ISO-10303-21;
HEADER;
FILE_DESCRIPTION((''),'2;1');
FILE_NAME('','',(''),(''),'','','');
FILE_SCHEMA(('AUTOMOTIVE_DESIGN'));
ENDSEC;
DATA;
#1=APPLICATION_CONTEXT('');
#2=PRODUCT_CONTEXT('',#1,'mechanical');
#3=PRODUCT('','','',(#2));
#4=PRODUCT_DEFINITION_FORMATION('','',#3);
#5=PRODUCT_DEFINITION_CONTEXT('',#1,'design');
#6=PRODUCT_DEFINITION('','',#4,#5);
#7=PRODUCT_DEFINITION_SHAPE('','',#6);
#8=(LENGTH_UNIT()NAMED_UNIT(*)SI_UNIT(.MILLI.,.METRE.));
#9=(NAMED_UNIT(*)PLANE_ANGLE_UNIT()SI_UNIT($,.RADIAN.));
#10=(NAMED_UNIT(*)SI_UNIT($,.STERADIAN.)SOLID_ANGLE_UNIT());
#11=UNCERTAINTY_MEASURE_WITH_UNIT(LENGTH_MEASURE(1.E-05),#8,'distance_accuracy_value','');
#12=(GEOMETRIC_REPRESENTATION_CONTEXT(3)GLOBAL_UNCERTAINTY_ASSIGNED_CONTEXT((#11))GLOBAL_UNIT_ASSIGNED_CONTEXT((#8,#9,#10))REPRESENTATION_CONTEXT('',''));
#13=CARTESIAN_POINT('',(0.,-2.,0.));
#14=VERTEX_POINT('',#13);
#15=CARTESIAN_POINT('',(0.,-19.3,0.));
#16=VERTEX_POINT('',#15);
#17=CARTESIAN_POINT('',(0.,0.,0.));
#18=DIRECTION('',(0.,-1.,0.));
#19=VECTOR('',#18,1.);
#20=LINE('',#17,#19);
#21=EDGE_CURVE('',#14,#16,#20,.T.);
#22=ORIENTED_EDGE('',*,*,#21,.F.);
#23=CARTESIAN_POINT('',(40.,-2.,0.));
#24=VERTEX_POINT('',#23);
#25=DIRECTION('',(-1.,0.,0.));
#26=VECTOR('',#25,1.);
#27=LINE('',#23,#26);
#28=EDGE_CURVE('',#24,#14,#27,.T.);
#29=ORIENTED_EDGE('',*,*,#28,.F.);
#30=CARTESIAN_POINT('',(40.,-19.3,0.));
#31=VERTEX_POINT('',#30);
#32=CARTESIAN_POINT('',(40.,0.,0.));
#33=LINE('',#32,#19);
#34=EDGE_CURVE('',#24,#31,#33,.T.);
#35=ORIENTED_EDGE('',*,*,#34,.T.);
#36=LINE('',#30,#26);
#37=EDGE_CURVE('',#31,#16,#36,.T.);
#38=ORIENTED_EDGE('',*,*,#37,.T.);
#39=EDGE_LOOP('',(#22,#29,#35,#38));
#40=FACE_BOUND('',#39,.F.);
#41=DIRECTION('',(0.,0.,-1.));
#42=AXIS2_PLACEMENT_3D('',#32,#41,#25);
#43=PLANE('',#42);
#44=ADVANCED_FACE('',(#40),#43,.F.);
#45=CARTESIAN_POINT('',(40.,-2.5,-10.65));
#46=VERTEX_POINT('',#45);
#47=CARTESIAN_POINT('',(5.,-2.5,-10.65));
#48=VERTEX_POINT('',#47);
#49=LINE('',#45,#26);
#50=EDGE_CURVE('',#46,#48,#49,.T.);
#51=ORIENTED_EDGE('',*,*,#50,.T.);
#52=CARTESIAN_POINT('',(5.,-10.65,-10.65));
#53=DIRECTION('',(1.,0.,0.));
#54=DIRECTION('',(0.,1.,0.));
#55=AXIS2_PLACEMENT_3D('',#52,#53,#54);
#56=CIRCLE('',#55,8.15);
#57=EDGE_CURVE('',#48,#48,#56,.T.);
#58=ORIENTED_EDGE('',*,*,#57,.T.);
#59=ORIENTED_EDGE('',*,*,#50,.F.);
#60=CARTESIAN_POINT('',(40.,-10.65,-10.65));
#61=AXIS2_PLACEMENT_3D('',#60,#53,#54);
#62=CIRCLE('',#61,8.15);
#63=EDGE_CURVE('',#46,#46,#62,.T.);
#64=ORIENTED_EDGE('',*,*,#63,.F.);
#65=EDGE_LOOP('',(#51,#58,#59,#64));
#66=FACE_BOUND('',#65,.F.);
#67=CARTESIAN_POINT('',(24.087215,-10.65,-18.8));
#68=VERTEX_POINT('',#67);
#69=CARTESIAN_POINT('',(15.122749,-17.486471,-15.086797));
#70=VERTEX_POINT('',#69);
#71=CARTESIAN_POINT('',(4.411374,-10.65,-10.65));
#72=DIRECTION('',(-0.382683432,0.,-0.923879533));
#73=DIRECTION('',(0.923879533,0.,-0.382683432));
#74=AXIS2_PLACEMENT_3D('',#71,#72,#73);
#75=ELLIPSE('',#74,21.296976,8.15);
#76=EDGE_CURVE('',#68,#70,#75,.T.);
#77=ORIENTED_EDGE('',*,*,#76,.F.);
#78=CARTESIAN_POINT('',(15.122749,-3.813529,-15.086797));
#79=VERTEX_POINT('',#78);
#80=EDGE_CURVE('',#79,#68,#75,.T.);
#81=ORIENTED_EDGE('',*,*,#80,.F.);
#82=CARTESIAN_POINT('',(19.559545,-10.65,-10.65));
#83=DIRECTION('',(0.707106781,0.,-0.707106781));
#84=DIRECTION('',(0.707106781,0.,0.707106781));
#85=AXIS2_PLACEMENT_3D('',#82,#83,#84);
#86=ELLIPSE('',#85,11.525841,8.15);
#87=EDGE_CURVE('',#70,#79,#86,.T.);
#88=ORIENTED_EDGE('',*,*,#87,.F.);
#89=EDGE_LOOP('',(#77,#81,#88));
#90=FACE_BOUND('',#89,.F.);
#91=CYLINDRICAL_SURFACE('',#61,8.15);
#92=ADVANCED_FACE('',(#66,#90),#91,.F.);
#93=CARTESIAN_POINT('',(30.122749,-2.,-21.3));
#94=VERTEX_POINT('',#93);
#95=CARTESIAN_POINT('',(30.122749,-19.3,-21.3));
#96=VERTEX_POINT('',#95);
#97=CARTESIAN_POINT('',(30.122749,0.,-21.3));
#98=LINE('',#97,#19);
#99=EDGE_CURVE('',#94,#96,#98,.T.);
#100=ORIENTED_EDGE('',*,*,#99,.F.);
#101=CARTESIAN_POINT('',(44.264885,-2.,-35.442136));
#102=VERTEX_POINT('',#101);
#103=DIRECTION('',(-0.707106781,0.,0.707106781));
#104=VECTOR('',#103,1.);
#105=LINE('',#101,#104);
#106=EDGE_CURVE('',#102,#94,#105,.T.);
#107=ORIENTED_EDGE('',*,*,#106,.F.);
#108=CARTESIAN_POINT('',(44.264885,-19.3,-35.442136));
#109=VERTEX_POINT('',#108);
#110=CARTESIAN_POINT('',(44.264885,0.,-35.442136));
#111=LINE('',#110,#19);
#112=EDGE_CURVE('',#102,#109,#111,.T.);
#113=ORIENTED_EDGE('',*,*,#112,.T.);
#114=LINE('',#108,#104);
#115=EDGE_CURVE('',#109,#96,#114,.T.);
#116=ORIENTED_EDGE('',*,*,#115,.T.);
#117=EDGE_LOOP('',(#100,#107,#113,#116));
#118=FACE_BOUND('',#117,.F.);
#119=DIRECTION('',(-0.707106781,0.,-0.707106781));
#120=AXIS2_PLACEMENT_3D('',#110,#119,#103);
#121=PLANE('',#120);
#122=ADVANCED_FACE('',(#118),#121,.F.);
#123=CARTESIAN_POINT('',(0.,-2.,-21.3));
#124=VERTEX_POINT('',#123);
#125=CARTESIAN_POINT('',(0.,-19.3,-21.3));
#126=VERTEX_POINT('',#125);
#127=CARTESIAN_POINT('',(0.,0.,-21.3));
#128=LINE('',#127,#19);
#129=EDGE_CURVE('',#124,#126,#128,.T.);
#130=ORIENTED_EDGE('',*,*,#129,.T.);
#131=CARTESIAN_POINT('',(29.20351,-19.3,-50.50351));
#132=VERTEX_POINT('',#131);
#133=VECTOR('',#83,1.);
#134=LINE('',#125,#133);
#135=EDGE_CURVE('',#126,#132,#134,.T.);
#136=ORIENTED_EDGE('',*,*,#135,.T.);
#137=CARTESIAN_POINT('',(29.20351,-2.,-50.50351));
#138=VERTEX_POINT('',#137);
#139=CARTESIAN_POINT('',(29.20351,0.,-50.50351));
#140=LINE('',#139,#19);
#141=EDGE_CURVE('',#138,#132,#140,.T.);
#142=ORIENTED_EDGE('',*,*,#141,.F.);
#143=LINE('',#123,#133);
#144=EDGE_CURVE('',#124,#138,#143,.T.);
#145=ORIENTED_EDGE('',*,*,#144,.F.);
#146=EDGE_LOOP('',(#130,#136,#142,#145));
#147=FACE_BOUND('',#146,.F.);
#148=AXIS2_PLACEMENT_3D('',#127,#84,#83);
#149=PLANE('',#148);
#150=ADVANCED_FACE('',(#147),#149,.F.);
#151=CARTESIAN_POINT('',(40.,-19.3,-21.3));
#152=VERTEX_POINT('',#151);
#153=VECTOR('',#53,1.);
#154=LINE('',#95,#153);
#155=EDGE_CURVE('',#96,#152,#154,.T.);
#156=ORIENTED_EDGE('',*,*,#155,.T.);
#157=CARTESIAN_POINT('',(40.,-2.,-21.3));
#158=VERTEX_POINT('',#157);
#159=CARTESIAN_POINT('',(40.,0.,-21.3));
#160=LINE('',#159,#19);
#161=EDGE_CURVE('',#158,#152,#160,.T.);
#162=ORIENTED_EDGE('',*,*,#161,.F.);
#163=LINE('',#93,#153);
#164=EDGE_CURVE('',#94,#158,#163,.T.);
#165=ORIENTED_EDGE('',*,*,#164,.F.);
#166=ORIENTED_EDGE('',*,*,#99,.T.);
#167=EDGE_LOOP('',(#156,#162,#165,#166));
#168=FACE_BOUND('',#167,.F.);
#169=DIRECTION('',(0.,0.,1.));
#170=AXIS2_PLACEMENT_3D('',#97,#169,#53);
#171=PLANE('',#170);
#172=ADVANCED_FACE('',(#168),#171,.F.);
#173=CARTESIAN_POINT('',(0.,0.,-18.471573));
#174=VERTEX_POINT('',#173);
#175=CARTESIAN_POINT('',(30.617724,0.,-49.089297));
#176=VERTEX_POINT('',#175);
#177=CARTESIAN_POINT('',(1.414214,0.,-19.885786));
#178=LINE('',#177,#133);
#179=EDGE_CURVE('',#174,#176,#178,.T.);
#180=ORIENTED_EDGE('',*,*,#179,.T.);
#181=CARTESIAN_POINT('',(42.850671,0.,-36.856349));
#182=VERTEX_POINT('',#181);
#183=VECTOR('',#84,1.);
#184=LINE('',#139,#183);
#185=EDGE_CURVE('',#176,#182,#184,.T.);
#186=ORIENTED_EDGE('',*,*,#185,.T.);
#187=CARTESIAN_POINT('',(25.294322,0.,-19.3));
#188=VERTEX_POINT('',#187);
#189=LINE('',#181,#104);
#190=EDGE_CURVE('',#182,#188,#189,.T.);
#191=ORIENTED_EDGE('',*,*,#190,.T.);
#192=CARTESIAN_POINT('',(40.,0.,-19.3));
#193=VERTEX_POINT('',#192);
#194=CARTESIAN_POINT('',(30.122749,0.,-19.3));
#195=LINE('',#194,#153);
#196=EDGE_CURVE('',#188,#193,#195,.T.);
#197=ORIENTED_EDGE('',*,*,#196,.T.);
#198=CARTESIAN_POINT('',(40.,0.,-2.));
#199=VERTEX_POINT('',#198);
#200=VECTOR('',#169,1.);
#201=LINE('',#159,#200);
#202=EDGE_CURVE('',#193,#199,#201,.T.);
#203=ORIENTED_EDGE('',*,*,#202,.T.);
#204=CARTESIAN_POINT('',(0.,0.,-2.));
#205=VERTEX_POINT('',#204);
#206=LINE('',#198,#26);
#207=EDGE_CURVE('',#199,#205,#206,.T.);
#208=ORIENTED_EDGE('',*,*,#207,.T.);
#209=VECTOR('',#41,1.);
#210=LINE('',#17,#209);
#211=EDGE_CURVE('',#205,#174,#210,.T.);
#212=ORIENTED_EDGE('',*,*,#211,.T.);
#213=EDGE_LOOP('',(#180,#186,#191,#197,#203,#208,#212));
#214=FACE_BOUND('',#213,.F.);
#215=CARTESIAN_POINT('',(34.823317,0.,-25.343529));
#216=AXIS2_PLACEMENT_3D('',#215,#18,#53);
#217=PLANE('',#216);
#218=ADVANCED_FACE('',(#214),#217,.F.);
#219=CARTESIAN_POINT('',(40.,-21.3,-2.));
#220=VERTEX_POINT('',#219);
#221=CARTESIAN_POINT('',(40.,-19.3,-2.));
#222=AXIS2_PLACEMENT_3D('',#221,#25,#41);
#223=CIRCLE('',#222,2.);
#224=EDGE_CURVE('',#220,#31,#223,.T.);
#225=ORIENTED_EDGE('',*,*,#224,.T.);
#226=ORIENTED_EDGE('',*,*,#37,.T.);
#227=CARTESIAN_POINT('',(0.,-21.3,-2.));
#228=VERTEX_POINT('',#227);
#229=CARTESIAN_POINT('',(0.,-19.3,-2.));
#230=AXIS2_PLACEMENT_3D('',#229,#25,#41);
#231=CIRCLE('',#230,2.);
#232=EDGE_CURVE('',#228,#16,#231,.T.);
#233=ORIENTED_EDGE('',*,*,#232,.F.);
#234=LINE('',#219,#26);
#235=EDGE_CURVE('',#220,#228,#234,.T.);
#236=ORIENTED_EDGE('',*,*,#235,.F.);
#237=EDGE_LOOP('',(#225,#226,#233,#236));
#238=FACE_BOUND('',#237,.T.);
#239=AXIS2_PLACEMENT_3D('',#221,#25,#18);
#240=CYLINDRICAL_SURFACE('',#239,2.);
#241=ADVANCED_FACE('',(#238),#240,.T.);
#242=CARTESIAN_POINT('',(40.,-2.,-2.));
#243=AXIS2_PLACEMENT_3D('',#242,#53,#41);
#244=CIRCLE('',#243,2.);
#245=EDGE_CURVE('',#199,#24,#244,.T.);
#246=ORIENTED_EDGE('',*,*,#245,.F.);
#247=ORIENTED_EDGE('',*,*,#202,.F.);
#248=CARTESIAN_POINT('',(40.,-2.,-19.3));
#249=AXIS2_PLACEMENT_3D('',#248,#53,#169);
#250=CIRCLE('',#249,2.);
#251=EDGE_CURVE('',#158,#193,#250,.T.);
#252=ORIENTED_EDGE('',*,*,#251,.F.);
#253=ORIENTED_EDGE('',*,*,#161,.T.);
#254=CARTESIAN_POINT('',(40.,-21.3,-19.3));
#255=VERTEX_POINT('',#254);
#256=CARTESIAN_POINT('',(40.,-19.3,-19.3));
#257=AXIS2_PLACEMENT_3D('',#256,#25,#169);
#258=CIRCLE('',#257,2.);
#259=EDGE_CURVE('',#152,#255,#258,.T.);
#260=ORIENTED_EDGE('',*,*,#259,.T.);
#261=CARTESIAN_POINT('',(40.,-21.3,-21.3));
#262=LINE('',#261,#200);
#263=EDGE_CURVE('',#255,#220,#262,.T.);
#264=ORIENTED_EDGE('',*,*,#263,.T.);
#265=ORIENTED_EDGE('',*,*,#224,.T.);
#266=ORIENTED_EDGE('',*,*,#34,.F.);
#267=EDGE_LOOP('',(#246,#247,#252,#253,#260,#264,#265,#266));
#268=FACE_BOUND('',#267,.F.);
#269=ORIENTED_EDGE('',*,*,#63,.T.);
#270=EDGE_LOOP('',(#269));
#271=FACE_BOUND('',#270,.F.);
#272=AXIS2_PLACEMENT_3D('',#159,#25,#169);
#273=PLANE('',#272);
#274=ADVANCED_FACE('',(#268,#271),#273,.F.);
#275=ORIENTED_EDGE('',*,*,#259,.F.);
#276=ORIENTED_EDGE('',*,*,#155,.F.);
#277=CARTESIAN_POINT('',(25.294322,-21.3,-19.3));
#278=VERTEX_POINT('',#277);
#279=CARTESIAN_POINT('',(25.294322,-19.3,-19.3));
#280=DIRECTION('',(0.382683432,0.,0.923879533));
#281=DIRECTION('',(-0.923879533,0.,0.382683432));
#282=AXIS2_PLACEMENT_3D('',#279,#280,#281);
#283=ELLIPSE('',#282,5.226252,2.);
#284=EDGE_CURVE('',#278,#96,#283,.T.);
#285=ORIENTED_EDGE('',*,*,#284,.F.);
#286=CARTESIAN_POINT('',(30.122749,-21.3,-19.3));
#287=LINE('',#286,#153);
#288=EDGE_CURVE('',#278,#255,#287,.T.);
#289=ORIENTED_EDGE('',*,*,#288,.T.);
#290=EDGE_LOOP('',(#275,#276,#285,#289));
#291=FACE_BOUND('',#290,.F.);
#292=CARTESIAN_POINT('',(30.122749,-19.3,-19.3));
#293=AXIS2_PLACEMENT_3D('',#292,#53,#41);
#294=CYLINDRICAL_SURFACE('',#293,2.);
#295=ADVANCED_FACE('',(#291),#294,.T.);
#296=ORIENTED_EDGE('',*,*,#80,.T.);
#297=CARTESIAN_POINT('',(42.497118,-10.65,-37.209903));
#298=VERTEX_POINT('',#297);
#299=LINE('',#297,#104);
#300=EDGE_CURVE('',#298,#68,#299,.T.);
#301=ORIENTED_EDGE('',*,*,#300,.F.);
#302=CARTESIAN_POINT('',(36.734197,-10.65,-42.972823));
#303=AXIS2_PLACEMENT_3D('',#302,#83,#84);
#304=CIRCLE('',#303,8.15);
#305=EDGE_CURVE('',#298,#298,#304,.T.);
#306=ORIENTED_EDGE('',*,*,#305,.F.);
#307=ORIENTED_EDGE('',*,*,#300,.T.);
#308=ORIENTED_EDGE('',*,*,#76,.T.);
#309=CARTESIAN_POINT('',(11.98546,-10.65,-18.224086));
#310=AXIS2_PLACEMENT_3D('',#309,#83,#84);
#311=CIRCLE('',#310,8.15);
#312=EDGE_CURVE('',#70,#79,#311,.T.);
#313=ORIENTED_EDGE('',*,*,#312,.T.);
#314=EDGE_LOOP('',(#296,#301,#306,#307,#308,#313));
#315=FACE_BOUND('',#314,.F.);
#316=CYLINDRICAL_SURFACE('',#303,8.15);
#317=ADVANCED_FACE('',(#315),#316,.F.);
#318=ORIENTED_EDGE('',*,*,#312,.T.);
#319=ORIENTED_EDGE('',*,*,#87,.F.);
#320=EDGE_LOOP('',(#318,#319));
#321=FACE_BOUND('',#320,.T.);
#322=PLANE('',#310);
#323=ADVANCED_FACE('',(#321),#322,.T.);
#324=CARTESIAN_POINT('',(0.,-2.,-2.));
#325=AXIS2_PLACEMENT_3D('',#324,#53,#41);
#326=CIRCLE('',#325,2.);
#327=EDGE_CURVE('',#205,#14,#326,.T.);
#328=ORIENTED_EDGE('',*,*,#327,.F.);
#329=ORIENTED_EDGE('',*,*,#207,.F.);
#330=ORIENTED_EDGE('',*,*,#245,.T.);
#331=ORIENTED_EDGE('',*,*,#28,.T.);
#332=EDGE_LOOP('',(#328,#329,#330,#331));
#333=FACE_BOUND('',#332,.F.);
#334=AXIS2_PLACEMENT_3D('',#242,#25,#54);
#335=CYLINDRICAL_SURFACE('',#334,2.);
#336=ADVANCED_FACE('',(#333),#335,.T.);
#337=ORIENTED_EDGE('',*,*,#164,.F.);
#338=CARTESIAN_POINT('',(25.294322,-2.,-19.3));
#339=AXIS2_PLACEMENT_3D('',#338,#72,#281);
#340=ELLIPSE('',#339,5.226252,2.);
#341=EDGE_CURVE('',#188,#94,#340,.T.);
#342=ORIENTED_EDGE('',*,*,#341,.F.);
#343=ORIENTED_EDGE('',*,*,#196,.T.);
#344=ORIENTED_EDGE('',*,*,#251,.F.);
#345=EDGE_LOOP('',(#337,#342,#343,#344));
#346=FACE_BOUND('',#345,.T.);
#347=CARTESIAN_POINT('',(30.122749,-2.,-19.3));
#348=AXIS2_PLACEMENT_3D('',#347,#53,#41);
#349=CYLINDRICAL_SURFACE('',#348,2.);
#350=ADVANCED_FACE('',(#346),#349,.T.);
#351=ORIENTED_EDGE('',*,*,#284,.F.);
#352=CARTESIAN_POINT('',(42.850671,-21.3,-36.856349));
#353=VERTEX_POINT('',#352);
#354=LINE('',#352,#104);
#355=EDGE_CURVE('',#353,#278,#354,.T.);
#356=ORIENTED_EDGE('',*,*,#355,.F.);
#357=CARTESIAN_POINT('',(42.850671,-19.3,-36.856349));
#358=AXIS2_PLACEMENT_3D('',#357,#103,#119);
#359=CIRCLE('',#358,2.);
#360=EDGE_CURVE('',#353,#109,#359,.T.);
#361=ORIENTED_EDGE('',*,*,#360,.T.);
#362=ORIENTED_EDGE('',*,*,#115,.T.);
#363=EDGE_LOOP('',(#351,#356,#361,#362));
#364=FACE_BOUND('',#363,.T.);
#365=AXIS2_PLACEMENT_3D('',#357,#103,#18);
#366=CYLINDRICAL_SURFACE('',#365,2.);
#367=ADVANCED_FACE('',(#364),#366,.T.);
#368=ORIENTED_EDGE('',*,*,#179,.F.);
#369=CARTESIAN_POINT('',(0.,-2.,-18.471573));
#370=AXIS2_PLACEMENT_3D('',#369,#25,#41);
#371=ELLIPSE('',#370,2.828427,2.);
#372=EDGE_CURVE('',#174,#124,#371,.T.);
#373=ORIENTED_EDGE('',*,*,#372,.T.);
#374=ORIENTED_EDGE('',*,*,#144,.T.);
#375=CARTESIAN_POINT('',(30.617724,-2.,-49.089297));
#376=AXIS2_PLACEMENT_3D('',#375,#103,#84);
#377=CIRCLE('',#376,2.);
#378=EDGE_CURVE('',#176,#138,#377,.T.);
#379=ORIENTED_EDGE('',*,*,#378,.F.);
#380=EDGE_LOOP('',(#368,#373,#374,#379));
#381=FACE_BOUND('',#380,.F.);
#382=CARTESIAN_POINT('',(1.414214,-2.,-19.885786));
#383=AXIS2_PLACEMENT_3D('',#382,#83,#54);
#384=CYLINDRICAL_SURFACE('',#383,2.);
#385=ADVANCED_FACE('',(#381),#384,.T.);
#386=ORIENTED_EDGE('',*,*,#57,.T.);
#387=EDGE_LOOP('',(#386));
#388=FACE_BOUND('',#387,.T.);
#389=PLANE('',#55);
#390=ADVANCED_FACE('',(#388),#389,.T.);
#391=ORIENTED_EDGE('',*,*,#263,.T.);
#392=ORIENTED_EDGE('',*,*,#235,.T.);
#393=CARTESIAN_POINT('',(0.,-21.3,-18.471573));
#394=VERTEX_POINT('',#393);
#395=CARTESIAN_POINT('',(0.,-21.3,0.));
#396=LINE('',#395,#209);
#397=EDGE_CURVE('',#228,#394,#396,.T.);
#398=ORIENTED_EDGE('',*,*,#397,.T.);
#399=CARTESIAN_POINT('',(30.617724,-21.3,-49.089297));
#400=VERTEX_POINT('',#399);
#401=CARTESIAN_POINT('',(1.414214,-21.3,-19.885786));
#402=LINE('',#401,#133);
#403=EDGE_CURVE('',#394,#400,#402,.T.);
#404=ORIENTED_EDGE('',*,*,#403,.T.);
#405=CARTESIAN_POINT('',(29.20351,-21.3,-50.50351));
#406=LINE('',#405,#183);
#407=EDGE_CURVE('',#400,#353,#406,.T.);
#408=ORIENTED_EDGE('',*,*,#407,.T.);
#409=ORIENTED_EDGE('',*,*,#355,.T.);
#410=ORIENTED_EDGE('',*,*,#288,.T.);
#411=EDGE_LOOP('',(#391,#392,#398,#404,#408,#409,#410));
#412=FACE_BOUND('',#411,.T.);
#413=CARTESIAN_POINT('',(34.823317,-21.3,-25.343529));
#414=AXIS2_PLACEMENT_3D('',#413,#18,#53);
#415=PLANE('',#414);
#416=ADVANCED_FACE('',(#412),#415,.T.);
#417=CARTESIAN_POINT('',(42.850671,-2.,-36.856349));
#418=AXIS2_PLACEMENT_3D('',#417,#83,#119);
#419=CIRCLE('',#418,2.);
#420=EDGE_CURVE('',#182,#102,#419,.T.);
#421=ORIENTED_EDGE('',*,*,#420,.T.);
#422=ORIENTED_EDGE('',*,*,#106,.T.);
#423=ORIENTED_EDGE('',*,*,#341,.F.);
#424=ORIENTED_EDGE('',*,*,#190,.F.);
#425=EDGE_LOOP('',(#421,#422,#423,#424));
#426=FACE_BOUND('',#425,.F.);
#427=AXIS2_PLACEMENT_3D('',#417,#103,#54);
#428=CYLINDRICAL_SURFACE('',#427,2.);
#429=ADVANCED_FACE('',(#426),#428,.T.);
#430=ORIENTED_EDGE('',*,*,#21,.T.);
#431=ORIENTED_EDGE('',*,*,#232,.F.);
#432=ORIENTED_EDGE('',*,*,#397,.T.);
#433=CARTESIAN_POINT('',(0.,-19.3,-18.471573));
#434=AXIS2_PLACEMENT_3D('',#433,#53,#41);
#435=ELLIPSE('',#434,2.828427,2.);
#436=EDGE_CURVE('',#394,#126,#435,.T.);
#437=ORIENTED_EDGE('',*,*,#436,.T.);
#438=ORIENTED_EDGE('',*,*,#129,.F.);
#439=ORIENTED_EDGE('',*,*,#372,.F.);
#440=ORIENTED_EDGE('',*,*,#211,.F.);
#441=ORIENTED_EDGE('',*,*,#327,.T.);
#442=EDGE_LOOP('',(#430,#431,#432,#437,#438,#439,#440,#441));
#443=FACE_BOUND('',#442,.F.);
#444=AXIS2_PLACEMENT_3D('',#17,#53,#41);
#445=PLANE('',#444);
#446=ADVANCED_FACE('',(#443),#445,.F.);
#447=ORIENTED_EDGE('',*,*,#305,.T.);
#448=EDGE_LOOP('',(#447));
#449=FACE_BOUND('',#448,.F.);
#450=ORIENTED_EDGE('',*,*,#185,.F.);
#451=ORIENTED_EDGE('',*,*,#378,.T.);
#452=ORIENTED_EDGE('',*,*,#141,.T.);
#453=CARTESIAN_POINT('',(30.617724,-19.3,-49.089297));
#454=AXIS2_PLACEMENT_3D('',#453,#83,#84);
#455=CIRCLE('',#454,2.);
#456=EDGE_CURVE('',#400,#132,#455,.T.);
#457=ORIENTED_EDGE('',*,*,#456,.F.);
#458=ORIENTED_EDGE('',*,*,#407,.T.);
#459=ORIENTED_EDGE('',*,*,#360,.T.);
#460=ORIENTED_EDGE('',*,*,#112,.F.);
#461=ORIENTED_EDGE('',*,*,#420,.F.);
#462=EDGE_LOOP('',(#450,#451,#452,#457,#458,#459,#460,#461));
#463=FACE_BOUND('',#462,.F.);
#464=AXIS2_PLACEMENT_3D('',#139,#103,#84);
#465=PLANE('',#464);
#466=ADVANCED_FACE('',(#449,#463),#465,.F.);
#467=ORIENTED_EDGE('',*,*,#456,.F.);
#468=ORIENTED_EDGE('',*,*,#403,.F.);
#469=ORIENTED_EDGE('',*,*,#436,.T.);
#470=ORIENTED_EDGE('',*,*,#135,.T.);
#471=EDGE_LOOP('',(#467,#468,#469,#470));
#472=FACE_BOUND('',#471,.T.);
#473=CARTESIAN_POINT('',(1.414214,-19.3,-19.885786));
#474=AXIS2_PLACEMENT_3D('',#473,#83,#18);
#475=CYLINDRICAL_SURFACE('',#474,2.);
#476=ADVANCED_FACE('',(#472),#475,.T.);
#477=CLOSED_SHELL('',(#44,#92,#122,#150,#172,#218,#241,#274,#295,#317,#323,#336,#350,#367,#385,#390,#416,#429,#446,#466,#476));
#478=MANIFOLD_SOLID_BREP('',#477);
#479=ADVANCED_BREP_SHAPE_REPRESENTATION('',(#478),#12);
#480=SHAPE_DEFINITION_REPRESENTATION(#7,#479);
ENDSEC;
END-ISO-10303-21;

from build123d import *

# Parameters (mm, degrees)
F1_DEPTH = 21.3
F3_R     = 8.15
F4_DEPTH = 35
F2_R     = 8.15
F5_DEPTH = 35
F6_R     = 2


with BuildPart() as f1:
    # F0 (on Front) → F1 (new body)
    with BuildSketch(Plane.XZ):
        Polygon((40, -21.3), (40, -18.8), (24.0872149726, -18.8), (42.4971175493, -37.2099025767), (44.2648845023, -35.4421356237), (30.1227488785, -21.3), align=None)
        Polygon((40, -18.8), (40, -2.5), (2.5, -2.5), (2.5, -20.2644660941), (30.971277016, -48.73574311), (42.4971175493, -37.2099025767), (24.0872149726, -18.8), align=None)
        Polygon((40, 0), (0, 0), (0, -21.3), (29.203510063, -50.503510063), (30.971277016, -48.73574311), (2.5, -20.2644660941), (2.5, -2.5), (40, -2.5), align=None)
    extrude(amount=F1_DEPTH)

    # F3 (on face) → F4 (cut)
    with BuildSketch(Plane(origin=(39.853510063, 0, -39.853510063), x_dir=(0.7071067812, 0, 0.7071067812), z_dir=(0.7071067812, 0, -0.7071067812))):
        with Locations((-4.4113744393, 10.65)):
            Circle(F3_R)
    extrude(amount=-F4_DEPTH, mode=Mode.SUBTRACT)

    # F2 (on face) → F5 (cut)
    with BuildSketch(Plane.YZ.offset(40)):
        with Locations((-10.65, -10.65)):
            Circle(F2_R)
    extrude(amount=-F5_DEPTH, mode=Mode.SUBTRACT)

    # F6
    f6_edges = [f1.edges().sort_by_distance(p)[0] for p in [
        (20, 0, 0),
        (20, -21.3, 0),
        (14.601755, -21.3, -35.901755),
        (14.601755, 0, -35.901755),
        (37.193817, -21.3, -28.371068),
        (37.193817, 0, -28.371068),
        (35.061374, 0, -21.3),
        (35.061374, -21.3, -21.3),
    ]]
    fillet(f6_edges, radius=F6_R)


solid = f1.part
